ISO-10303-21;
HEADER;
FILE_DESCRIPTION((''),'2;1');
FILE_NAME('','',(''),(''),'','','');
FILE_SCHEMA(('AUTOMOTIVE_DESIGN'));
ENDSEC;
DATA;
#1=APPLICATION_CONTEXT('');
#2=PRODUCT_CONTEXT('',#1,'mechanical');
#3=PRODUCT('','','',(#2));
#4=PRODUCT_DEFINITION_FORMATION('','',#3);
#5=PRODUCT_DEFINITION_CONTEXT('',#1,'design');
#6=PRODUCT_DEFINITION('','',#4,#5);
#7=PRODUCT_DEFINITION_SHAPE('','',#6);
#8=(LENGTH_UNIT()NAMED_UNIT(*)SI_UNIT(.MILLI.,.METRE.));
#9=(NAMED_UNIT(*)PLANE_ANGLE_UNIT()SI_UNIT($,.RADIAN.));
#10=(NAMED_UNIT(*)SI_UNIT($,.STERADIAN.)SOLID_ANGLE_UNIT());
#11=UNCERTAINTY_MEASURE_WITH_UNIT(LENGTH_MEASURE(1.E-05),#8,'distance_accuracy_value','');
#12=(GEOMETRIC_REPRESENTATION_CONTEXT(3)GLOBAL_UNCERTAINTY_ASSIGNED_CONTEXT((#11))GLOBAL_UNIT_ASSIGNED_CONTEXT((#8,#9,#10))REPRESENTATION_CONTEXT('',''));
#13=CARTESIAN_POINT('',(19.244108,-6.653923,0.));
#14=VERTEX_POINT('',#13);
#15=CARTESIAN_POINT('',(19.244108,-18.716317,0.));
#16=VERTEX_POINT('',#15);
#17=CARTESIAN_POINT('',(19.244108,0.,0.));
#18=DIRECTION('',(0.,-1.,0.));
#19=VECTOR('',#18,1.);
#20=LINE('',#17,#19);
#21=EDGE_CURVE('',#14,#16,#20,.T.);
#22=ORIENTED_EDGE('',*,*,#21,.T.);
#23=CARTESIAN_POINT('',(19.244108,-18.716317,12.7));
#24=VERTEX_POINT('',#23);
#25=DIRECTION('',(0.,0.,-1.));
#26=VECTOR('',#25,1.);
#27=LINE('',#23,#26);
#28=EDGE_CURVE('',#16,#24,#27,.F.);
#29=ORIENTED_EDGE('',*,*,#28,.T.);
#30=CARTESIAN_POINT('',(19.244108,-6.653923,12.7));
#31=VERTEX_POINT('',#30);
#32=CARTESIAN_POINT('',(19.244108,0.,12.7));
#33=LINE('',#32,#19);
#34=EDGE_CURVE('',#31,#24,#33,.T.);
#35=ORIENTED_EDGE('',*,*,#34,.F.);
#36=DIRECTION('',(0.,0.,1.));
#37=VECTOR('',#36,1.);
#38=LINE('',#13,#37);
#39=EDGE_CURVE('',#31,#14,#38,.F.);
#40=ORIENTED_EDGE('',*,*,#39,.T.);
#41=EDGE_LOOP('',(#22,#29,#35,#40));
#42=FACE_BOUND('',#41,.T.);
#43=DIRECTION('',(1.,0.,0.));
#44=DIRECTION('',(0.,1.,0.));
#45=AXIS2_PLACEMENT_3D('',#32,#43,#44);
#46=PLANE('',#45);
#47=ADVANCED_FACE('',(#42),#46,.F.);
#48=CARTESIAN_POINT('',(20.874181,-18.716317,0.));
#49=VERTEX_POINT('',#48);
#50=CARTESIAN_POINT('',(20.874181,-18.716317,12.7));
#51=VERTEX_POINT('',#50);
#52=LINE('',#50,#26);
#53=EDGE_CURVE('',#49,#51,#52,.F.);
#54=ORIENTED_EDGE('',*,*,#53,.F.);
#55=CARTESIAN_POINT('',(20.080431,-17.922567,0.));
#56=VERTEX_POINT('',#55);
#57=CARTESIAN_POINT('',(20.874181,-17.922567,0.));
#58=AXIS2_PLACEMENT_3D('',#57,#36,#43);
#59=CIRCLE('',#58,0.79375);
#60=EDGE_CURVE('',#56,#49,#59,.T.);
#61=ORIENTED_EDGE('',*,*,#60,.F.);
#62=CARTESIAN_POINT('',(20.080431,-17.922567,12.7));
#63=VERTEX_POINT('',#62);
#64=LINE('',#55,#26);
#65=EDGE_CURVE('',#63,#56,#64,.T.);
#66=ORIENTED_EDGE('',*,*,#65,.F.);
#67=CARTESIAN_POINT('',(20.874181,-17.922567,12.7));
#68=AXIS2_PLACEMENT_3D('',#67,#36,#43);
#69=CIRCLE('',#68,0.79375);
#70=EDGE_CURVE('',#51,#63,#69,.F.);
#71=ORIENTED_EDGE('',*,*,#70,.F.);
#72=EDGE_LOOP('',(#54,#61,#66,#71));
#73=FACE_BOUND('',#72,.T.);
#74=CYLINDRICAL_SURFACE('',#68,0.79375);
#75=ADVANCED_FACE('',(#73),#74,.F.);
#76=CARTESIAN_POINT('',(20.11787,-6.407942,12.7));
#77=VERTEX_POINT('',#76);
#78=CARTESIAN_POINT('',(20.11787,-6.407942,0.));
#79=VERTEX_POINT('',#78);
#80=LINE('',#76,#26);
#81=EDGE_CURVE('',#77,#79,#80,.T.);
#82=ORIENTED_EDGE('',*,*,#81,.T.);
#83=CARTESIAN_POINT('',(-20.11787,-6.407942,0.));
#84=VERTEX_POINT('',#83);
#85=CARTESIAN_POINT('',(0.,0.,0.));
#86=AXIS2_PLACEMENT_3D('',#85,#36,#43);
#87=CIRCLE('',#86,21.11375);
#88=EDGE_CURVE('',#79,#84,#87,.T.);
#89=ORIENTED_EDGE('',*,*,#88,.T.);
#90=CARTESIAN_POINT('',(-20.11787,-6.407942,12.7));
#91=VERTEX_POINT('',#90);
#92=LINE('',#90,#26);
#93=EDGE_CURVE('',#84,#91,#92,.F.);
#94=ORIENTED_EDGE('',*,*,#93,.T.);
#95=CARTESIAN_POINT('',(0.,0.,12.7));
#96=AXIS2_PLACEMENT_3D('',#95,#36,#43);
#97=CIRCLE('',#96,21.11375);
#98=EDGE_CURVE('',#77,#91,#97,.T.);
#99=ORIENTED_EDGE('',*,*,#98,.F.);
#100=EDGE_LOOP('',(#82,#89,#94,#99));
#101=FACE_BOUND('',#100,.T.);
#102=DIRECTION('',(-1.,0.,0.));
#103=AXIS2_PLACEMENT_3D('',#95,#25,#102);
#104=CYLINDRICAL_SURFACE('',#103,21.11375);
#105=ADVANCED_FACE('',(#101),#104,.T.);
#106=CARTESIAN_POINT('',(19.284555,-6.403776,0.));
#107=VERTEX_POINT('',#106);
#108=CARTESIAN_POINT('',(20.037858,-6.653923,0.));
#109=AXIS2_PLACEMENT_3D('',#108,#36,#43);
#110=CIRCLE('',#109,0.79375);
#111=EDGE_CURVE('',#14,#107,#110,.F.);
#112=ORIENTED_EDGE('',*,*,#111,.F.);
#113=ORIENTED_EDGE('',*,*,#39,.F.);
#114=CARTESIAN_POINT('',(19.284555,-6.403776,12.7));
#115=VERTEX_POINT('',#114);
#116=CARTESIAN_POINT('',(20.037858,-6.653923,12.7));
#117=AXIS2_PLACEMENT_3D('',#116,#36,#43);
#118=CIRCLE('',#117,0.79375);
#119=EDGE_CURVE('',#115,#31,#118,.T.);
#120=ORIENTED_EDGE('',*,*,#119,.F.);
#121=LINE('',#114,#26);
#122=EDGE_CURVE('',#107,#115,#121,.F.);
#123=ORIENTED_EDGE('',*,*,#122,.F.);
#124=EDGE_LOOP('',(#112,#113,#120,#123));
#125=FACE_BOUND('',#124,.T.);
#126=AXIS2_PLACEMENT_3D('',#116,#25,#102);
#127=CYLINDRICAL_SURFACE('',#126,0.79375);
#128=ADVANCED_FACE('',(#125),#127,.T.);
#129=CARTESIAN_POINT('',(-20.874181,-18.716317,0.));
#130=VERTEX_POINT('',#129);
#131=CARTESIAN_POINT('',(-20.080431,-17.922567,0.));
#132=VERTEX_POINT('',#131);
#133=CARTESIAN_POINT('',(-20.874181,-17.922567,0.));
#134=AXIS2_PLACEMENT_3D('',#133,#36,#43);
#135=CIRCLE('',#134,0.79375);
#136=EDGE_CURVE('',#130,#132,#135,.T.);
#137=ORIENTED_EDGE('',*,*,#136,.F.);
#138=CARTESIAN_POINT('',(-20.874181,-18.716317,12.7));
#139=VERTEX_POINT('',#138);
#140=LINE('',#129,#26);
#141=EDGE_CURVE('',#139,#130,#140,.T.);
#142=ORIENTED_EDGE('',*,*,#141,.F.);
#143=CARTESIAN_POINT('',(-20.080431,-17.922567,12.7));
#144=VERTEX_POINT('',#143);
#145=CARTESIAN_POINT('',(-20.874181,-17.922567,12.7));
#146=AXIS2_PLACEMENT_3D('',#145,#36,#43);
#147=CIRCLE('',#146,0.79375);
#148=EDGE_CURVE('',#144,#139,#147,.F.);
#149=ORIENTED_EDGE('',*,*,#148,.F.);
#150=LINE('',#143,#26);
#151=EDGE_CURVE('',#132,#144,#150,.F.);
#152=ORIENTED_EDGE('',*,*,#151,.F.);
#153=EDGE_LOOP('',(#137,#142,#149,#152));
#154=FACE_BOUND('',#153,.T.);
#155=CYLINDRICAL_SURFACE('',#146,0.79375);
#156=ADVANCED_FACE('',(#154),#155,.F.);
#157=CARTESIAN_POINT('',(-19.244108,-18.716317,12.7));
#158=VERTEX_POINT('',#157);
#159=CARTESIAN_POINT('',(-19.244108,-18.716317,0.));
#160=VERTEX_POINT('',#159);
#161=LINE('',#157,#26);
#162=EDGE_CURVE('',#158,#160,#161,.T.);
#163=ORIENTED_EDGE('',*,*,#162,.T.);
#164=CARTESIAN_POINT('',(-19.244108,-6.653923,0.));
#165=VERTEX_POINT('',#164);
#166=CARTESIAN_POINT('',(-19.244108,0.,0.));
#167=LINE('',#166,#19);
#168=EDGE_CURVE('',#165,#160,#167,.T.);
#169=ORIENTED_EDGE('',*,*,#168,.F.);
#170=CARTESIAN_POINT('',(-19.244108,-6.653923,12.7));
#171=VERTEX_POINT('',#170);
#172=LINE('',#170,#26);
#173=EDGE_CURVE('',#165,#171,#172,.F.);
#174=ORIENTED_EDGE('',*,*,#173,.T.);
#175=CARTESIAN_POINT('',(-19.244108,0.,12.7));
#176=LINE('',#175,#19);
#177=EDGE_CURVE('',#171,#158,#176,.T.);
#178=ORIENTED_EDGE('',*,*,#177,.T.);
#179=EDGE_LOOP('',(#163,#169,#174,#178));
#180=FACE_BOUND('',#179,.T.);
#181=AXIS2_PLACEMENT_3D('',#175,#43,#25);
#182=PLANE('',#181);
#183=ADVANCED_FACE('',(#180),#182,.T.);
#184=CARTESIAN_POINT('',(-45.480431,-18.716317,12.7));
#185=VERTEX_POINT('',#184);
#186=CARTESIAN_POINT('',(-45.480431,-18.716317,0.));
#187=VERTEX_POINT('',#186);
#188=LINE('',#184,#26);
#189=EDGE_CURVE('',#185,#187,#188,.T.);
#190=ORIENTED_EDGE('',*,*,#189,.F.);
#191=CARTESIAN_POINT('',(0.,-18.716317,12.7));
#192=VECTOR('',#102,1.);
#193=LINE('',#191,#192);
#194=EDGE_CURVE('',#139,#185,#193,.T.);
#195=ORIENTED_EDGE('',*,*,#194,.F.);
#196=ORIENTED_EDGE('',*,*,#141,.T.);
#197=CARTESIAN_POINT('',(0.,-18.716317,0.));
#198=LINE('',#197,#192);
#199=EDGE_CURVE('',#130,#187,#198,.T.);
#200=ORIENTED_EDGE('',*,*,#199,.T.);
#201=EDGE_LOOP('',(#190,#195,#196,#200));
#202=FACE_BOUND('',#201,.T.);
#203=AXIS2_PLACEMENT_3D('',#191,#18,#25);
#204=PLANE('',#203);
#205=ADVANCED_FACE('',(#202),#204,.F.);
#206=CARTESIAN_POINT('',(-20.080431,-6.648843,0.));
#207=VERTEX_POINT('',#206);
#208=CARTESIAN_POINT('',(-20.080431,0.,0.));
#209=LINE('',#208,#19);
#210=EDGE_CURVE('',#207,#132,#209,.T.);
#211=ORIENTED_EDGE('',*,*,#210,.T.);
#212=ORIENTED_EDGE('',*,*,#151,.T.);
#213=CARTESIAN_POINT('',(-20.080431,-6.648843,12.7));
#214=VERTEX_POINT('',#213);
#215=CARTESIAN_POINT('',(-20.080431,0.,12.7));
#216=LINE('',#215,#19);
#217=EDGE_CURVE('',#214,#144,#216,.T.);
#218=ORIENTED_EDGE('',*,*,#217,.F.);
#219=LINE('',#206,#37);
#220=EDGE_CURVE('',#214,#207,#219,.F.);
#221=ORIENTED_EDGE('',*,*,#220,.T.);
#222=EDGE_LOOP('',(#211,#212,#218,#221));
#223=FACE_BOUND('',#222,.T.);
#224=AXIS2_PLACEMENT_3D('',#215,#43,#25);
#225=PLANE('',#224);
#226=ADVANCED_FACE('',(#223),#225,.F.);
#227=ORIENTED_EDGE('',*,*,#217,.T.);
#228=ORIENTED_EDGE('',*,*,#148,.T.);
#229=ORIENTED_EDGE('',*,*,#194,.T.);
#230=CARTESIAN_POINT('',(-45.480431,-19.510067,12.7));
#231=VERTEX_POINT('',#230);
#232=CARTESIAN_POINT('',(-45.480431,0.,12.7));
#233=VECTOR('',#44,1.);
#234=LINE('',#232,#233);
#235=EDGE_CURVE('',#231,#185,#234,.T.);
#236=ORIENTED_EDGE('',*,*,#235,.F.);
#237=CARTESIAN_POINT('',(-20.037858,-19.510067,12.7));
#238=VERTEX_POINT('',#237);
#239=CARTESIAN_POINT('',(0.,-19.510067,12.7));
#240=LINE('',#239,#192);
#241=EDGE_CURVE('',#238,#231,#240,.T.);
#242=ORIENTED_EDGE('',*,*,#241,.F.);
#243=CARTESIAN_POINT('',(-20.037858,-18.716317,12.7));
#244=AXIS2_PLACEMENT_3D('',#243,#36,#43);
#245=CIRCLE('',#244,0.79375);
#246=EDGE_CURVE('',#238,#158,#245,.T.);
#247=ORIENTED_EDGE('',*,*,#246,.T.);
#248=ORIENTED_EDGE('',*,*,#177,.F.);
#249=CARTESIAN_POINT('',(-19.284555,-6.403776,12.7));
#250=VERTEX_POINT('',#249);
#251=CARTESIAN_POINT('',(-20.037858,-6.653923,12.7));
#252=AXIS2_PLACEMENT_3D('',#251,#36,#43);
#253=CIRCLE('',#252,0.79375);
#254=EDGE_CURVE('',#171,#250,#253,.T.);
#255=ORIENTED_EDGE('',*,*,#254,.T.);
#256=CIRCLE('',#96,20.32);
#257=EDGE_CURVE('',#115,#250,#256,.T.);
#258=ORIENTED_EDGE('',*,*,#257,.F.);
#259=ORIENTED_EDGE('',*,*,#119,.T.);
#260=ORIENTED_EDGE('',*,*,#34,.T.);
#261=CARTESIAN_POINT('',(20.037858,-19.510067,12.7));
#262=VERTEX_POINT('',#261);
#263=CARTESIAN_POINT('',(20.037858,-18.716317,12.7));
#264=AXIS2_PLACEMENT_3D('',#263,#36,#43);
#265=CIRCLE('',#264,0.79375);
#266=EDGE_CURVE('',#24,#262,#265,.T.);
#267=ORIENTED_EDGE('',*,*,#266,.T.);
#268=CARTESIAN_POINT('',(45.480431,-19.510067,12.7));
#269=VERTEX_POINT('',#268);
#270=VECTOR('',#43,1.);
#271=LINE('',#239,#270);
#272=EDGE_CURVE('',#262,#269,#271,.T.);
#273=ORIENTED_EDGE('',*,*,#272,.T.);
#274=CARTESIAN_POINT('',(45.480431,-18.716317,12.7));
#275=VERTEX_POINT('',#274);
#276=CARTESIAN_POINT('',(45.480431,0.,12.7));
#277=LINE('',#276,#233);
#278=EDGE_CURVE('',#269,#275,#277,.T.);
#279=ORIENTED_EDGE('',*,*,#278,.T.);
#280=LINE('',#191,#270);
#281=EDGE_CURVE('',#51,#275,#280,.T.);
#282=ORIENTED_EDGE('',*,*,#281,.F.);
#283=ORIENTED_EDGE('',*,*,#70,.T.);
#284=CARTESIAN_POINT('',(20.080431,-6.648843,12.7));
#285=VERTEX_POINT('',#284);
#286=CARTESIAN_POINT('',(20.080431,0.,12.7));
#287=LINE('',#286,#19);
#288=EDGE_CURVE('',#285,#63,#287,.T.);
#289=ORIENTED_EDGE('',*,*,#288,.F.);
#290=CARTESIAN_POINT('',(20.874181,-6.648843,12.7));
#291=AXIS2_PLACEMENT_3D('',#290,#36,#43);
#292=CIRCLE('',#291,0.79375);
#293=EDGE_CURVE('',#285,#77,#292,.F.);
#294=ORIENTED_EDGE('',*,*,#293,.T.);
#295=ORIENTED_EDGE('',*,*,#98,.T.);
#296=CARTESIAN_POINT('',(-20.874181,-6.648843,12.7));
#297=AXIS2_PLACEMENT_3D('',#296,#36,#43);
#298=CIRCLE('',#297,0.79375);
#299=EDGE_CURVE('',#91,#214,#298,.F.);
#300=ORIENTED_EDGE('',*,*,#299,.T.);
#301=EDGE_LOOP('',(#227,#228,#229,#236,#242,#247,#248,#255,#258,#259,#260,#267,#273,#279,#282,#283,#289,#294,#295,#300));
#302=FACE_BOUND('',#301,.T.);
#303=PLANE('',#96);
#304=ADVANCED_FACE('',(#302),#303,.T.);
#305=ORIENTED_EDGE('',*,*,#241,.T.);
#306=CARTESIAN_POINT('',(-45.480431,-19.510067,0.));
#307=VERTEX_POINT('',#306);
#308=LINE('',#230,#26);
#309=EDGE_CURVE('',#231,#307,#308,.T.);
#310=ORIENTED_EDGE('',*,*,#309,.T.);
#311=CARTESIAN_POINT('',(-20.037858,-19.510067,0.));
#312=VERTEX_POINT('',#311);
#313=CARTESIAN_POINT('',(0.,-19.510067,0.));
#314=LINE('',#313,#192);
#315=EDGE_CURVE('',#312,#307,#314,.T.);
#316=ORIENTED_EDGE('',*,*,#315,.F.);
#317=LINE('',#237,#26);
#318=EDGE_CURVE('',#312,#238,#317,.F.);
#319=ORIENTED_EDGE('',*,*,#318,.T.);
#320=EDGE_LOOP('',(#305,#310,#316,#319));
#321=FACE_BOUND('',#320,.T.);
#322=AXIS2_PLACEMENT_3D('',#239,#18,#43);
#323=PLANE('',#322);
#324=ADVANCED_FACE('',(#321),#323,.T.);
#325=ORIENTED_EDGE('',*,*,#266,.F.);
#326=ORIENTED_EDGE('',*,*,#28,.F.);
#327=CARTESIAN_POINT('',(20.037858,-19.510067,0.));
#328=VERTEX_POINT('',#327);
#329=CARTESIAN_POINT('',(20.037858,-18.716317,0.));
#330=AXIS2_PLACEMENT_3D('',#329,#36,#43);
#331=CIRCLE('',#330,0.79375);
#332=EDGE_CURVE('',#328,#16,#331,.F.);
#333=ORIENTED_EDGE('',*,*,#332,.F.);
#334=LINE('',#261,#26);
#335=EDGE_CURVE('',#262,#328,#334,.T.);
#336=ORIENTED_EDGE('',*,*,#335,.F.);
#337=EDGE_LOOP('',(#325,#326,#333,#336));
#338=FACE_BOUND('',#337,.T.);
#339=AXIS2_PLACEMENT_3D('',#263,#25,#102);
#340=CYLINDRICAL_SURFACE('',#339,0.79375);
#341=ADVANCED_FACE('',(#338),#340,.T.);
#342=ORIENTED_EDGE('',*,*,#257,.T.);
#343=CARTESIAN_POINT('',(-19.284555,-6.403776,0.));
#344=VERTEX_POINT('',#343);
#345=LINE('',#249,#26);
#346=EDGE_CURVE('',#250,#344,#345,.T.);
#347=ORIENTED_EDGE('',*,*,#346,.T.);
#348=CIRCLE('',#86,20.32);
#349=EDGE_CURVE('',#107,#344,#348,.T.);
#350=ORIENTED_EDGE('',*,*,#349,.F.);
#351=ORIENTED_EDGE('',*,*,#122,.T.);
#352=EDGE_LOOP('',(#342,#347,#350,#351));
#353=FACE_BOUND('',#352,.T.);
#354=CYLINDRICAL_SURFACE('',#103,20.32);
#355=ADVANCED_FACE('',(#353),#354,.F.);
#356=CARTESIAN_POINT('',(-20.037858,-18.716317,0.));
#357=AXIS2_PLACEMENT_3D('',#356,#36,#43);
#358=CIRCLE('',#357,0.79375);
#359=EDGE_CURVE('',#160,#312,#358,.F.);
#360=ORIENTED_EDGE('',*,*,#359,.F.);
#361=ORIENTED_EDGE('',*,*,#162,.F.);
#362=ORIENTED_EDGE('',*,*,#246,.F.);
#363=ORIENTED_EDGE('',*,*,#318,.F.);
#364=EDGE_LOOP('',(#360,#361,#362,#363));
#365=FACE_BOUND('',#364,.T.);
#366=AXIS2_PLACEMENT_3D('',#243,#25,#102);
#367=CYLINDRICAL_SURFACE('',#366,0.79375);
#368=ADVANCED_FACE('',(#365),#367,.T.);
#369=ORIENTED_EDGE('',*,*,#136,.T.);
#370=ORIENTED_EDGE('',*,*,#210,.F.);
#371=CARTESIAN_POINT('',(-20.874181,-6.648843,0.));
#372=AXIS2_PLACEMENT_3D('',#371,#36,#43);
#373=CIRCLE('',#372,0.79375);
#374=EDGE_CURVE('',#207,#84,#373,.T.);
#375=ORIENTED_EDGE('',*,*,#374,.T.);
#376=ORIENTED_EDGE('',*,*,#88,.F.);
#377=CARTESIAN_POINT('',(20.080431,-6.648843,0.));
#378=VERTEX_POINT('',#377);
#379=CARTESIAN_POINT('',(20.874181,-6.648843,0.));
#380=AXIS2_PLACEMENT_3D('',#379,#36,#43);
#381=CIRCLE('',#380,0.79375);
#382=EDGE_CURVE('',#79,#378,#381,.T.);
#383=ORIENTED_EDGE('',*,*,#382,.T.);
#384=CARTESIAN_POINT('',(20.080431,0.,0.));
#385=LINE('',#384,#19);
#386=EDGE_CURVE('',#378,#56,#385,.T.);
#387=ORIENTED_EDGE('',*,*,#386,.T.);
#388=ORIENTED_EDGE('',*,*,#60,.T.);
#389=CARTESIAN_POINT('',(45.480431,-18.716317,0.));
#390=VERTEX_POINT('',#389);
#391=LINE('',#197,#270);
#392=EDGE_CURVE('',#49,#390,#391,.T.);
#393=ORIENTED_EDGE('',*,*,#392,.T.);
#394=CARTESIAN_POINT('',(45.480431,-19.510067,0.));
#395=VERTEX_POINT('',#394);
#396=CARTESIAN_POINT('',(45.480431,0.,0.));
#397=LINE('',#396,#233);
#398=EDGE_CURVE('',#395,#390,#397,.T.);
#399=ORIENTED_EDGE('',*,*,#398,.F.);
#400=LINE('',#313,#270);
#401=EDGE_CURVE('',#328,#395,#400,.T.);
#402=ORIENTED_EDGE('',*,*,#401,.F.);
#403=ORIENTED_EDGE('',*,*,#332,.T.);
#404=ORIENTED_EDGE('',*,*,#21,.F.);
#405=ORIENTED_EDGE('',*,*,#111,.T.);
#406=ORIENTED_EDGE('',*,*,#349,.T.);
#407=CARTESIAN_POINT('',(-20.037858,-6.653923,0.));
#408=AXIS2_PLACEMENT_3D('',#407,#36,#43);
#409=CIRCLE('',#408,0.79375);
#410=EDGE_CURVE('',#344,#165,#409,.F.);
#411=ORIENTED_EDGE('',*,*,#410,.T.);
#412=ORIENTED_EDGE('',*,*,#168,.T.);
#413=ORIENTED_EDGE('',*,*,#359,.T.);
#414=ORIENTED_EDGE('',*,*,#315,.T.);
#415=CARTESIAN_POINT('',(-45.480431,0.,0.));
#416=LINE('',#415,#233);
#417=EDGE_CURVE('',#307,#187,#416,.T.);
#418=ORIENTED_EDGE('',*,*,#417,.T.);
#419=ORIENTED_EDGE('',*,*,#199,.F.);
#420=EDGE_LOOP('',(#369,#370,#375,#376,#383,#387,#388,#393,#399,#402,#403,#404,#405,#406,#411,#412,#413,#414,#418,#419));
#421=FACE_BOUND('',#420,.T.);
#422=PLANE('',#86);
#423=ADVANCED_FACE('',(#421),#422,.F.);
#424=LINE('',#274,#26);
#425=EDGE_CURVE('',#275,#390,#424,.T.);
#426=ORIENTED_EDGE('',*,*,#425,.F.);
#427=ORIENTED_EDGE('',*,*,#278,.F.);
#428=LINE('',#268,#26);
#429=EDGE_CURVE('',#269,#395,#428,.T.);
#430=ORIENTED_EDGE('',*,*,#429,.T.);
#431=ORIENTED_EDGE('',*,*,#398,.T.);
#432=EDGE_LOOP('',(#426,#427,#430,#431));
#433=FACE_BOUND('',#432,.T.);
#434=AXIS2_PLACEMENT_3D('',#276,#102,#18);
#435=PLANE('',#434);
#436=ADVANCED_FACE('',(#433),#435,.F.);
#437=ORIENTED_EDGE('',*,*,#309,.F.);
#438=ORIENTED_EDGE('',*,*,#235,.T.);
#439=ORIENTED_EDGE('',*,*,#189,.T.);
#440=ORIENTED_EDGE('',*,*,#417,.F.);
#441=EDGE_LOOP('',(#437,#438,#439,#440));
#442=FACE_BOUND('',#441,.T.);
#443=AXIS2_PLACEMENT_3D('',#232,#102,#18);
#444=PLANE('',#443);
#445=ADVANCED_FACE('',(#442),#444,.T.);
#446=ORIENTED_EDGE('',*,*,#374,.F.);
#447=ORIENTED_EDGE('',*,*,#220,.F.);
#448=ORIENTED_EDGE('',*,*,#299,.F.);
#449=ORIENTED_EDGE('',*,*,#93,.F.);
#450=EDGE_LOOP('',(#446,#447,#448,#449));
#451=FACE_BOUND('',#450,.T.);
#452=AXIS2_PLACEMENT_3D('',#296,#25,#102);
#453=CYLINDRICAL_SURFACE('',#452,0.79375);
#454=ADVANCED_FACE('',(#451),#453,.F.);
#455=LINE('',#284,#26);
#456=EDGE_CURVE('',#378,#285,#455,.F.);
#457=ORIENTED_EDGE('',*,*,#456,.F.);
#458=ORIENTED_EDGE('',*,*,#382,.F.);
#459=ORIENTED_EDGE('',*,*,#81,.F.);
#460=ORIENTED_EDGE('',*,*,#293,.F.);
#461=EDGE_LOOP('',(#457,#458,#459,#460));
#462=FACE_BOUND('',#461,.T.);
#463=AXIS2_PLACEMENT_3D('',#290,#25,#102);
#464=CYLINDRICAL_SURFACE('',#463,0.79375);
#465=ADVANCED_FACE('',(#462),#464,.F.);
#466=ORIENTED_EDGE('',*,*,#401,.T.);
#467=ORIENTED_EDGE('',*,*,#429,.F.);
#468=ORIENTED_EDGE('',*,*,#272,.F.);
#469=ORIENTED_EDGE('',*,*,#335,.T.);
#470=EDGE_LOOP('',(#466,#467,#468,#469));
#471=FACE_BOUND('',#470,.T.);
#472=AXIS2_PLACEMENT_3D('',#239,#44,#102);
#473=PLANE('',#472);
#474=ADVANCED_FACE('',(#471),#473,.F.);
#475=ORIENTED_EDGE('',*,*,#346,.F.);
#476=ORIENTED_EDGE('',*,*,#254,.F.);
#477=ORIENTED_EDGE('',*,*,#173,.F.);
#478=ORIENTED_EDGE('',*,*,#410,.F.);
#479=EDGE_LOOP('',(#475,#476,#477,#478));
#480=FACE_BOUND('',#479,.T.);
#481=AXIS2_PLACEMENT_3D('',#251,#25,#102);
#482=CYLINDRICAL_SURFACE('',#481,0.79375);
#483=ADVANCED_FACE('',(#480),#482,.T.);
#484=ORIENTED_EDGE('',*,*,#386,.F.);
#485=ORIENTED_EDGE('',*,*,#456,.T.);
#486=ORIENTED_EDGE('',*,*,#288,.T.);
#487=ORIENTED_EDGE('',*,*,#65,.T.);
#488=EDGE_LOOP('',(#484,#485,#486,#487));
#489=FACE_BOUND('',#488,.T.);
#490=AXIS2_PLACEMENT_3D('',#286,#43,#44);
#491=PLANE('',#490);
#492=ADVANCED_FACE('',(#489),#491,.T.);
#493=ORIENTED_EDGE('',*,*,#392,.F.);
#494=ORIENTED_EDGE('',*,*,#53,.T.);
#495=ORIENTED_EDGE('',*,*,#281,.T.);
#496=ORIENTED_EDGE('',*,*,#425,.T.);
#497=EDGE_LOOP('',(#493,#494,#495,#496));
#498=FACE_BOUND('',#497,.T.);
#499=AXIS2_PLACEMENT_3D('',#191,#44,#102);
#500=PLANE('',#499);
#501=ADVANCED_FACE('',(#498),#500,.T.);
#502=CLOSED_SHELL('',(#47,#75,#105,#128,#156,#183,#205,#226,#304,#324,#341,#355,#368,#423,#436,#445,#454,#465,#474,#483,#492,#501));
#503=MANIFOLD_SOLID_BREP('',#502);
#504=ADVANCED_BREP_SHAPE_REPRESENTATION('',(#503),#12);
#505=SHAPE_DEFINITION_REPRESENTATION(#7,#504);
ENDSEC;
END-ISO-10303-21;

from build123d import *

# Parameters (mm, degrees)
BOSS_EXTRUDE2_DEPTH = 12.7
FILLET2_R           = 0.79375


with BuildPart() as part:
    # Sketch1 → Boss-Extrude2 (new body)
    with BuildSketch(Plane.XY):
        with BuildLine():
            Line((20.080431402, -6.524317111), (20.080431402, -18.716317111))
            Line((20.080431402, -18.716317111), (45.480431402, -18.716317111))
            Line((45.480431402, -18.716317111), (45.480431402, -19.510067111))
            Line((45.480431402, -19.510067111), (19.244107832, -19.510067111))
            Line((19.244107832, -19.510067111), (19.244107832, -18.721996551))
            Line((19.244107832, -18.721996551), (19.244107832, -6.524317111))
            ThreePointArc((19.244107832, -6.524317111), (0, 20.32), (-19.244107832, -6.524317111))
            Line((-19.244107832, -6.524317111), (-20.080431402, -6.524317111))
            ThreePointArc((-20.080431402, -6.524317111), (0, 21.11375), (20.080431402, -6.524317111))
        make_face()
        Polygon((-19.244107832, -6.524317111), (-19.244107832, -18.721996551), (-19.244107832, -19.510067111), (-45.480431402, -19.510067111), (-45.480431402, -18.716317111), (-20.080431402, -18.716317111), (-20.080431402, -6.524317111), align=None)
    extrude(amount=BOSS_EXTRUDE2_DEPTH)

    # Fillet2
    fillet2_edges = [part.edges().sort_by_distance(p)[0] for p in [
        (20.080431402, -18.716317111, 6.35),
        (19.244107832, -19.510067111, 6.35),
        (19.244107832, -6.524317111, 6.35),
        (-19.244107832, -6.524317111, 6.35),
        (-19.244107832, -19.510067111, 6.35),
        (-20.080431402, -18.716317111, 6.35),
        (-20.080431402, -6.524317111, 6.35),
        (20.080431402, -6.524317111, 6.35),
    ]]
    fillet(fillet2_edges, radius=FILLET2_R)


solid = part.part
